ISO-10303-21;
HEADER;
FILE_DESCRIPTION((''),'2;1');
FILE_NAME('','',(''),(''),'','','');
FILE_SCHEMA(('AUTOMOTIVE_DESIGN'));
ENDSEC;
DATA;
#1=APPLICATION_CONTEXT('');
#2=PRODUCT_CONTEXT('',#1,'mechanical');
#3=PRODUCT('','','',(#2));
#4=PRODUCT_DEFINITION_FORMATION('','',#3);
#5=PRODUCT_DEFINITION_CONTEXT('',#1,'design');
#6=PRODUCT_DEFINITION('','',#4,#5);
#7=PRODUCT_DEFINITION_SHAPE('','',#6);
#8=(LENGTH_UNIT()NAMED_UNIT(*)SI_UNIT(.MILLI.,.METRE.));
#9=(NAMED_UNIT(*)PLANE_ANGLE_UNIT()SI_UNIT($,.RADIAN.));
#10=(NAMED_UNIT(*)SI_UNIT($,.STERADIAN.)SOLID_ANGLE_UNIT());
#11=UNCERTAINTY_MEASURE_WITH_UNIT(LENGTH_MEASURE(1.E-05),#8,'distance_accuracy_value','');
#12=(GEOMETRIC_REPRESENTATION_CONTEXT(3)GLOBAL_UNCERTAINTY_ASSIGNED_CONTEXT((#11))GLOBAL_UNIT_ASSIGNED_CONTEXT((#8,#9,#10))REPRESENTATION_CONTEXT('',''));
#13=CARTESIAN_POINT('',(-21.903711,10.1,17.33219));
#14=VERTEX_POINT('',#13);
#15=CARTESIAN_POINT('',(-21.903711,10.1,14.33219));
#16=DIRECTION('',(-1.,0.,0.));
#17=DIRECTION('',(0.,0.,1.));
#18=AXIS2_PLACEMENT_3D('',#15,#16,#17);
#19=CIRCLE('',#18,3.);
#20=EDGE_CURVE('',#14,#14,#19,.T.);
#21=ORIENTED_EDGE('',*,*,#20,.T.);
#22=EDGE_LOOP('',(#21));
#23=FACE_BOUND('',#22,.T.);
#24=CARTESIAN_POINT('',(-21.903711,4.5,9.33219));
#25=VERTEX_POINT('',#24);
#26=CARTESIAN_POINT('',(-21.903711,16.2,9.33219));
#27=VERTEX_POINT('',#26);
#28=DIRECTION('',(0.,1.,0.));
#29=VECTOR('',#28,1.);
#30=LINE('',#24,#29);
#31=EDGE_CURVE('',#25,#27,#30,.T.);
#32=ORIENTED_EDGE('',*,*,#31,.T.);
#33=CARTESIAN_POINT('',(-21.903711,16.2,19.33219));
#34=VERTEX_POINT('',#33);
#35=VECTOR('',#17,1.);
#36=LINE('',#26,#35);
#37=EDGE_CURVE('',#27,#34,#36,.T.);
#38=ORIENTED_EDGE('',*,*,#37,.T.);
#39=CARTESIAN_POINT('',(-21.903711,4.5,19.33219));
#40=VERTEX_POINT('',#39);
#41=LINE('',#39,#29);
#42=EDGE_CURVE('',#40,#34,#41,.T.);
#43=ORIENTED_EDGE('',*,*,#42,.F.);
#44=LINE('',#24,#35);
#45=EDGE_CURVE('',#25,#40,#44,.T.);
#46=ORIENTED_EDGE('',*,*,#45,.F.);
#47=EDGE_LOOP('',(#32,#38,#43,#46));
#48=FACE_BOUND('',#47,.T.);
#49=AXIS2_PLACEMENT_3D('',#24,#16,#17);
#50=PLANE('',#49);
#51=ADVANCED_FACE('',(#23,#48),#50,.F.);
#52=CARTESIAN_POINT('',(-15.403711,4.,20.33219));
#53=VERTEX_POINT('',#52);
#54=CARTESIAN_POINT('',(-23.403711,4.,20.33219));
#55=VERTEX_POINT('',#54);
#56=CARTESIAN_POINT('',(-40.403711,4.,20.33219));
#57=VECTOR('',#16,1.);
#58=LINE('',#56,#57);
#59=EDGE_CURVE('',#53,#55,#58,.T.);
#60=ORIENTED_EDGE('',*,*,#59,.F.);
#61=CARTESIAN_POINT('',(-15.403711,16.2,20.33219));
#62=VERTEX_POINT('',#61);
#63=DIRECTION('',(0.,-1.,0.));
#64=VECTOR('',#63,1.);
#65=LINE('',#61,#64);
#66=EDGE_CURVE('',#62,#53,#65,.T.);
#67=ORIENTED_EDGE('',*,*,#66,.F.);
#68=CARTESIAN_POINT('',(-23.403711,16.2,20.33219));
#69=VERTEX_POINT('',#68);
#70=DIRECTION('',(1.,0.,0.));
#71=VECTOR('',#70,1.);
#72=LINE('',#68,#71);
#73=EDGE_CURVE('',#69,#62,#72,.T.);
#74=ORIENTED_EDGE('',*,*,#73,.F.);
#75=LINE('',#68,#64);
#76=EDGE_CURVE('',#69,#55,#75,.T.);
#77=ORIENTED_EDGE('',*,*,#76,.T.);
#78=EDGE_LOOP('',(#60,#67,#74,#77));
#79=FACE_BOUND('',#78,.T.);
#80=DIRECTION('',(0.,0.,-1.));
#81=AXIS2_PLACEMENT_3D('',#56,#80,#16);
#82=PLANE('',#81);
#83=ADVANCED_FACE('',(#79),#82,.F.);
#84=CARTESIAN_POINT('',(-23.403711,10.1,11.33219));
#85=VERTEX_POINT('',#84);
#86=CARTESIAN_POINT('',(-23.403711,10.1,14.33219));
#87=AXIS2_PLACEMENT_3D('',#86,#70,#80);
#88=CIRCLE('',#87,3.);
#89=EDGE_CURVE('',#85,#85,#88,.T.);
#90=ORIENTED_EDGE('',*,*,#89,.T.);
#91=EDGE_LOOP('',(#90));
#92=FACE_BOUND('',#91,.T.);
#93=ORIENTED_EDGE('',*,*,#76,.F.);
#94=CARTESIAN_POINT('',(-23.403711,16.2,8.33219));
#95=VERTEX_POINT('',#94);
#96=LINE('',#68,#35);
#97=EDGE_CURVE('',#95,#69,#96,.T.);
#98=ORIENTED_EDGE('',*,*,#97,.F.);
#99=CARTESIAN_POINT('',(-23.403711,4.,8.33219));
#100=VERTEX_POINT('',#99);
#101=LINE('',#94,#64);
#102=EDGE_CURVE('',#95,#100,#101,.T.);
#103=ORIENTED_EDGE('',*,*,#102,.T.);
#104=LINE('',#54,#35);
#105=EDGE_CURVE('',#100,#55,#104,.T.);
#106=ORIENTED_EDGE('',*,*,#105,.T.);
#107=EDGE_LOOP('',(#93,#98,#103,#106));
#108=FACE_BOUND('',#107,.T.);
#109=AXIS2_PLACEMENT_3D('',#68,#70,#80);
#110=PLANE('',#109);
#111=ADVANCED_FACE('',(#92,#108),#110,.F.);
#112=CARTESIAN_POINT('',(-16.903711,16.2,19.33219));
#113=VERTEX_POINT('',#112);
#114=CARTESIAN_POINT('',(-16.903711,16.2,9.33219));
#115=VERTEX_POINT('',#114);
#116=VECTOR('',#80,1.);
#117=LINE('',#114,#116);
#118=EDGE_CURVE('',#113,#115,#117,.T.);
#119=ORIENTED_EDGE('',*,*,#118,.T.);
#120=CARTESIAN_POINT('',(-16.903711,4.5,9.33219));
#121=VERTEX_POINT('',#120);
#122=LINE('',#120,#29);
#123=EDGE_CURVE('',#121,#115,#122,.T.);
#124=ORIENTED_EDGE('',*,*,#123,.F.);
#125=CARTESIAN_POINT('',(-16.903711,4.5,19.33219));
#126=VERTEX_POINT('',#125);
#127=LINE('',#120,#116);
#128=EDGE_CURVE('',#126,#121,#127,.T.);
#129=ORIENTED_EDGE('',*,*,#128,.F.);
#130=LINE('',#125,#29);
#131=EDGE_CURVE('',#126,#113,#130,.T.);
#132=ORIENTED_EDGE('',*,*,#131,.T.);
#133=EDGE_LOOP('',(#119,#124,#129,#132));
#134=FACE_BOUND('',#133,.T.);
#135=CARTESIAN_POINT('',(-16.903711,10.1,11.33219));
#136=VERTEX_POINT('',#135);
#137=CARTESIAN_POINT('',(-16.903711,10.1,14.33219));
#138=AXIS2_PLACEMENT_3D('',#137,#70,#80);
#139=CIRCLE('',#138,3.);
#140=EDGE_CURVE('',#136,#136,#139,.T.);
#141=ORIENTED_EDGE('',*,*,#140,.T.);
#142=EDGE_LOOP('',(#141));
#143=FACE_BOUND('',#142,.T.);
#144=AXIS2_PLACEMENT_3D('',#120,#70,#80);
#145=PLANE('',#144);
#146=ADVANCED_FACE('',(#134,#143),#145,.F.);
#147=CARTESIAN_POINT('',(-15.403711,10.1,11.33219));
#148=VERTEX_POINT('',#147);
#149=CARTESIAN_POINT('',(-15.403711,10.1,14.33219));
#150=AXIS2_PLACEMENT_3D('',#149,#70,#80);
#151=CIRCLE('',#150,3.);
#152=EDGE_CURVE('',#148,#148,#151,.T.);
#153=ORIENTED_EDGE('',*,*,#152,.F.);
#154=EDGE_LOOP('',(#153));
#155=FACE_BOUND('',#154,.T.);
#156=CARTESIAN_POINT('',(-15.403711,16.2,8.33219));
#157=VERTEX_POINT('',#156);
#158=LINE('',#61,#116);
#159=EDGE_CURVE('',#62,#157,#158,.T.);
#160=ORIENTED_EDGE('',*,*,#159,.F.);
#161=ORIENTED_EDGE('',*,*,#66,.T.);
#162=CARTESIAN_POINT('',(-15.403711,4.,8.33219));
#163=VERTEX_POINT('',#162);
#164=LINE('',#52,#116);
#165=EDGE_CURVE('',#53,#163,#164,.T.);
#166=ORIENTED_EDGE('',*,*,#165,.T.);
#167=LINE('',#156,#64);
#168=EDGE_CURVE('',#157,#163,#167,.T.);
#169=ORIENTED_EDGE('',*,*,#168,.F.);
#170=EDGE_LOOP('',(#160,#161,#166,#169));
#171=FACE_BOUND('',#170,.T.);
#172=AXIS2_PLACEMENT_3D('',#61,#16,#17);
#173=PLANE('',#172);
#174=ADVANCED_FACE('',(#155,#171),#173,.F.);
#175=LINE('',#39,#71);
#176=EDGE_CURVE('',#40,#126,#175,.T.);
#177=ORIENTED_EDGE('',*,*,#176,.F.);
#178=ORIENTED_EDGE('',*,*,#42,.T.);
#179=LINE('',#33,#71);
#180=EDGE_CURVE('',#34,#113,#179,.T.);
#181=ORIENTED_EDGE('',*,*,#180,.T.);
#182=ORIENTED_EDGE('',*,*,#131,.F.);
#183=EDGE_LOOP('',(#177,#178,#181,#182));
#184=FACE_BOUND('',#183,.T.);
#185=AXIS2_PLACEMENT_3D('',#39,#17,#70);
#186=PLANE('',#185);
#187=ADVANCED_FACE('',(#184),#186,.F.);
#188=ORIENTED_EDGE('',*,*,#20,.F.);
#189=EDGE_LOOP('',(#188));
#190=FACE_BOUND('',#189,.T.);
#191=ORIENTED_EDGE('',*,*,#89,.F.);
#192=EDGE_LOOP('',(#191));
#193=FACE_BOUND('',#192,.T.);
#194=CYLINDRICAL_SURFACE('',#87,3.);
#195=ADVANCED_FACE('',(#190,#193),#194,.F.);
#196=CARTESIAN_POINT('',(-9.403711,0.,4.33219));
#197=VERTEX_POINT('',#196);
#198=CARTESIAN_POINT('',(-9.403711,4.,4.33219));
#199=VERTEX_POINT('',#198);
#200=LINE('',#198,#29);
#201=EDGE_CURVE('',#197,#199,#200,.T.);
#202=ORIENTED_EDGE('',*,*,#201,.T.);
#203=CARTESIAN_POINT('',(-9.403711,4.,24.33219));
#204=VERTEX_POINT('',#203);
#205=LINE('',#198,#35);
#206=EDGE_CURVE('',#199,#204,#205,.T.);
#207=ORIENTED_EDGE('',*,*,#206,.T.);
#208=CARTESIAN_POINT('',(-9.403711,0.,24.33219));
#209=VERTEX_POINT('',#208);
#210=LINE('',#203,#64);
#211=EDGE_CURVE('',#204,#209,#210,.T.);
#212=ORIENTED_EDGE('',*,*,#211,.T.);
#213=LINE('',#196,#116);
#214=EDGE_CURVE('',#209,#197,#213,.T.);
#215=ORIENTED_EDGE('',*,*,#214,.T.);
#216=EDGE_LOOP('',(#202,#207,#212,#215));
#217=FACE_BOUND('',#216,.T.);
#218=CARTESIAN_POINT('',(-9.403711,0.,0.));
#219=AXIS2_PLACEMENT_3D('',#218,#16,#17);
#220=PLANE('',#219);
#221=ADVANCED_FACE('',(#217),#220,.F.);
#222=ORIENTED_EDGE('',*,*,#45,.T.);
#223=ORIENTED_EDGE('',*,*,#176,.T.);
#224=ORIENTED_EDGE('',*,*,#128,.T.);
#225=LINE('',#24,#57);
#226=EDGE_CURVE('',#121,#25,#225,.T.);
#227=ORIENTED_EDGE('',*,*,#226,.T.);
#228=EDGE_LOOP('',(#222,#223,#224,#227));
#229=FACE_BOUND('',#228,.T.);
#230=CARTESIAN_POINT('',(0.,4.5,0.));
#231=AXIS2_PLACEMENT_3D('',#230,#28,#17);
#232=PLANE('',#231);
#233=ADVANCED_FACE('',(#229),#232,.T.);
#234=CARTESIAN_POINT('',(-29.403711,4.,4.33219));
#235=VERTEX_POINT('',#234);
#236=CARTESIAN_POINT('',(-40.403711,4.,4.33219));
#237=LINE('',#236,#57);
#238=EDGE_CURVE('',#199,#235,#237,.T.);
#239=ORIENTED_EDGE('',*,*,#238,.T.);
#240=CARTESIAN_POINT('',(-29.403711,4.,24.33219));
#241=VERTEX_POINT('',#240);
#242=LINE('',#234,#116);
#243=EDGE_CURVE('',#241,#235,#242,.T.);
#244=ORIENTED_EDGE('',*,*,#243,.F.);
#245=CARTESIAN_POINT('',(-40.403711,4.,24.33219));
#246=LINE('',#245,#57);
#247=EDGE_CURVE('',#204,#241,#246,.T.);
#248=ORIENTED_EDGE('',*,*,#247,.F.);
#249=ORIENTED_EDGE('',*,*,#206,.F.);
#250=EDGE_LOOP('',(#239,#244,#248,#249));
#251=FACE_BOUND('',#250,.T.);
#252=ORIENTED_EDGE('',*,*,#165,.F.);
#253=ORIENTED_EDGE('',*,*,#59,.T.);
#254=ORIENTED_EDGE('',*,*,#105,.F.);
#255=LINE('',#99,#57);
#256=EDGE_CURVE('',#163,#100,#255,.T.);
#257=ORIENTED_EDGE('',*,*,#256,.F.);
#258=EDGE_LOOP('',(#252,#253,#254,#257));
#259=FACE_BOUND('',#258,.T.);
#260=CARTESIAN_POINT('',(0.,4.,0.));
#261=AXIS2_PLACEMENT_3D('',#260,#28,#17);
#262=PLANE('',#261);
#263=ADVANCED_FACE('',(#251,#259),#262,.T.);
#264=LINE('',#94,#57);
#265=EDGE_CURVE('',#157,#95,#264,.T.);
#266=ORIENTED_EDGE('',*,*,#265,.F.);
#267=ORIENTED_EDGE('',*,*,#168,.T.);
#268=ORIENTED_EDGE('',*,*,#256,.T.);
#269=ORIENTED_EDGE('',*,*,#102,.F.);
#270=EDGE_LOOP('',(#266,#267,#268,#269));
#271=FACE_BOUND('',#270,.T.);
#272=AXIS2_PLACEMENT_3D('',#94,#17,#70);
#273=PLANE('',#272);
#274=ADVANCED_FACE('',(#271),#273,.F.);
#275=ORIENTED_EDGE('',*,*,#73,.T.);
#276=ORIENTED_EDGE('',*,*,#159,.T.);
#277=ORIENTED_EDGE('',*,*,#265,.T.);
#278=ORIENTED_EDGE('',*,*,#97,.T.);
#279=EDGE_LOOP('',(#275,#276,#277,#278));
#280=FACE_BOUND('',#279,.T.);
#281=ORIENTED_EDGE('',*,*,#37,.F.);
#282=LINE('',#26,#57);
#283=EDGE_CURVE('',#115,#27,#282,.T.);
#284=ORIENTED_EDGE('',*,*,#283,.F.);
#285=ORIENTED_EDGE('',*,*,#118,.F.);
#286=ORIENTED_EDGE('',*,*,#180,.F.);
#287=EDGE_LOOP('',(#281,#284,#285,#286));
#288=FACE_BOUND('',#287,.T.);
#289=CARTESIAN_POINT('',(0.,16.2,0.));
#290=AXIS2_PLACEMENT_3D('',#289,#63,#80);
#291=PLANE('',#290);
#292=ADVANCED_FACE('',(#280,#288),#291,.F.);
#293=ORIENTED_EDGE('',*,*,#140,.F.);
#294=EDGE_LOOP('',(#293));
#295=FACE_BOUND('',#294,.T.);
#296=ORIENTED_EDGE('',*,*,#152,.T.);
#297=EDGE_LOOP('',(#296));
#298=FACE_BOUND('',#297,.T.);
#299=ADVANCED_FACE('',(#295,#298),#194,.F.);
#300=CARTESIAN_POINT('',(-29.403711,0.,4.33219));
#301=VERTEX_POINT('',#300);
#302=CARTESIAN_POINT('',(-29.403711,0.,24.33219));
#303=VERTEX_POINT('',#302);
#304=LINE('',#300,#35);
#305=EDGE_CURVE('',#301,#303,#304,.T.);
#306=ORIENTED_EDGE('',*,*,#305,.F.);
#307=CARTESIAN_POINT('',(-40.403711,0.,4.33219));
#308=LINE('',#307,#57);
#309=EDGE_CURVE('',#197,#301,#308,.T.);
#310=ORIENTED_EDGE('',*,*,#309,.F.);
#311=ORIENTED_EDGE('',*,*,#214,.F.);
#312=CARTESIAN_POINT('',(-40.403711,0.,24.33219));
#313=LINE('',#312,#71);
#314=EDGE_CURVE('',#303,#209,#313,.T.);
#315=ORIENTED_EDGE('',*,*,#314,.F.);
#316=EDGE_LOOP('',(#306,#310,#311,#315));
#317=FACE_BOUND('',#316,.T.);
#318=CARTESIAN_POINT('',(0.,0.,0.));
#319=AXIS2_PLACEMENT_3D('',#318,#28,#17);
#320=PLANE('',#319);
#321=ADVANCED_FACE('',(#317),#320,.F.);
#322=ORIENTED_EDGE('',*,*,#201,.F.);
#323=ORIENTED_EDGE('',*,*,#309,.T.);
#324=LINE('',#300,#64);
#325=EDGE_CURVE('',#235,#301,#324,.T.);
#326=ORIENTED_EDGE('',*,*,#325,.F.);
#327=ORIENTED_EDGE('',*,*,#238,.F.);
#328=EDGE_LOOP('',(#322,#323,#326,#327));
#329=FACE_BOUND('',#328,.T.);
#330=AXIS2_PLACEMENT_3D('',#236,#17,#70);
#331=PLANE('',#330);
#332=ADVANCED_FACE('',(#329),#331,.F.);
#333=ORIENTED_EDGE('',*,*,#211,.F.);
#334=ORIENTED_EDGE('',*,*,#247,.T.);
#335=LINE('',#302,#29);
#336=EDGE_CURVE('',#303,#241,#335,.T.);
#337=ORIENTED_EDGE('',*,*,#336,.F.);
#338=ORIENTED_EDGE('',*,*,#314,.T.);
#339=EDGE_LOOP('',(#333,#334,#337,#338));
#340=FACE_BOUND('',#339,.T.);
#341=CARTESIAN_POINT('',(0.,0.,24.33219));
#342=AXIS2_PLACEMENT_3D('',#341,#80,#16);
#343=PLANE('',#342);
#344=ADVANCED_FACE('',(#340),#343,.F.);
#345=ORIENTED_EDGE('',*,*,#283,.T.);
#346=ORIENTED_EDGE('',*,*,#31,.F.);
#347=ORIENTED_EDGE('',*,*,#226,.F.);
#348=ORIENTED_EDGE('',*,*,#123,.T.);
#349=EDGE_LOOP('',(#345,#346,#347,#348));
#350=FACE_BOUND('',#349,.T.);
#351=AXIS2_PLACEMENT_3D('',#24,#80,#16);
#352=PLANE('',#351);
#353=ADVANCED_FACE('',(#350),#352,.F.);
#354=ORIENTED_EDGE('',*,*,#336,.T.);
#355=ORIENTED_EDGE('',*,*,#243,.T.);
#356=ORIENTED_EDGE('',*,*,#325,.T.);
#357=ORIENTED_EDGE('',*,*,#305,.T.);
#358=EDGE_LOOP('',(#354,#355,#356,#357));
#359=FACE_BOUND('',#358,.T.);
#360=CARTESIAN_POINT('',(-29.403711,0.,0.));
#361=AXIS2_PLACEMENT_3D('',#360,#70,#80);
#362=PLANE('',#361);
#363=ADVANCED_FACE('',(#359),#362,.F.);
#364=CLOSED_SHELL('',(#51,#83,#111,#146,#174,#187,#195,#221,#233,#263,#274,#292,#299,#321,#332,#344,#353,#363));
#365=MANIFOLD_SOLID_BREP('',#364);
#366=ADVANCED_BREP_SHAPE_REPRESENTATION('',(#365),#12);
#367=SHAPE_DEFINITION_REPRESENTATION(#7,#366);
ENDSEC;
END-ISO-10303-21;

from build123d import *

# Parameters (mm, degrees)
SKETCH2_W           = 42
SKETCH2_H           = 16
BOSS_EXTRUDE1_DEPTH = 4
SKETCH9_W           = 8
SKETCH9_H           = 12
BOSS_EXTRUDE3_DEPTH = 12.2
SKETCH10_W          = 5
SKETCH10_H          = 10
CUT_EXTRUDE6_DEPTH  = 11.7
SKETCH12_R          = 3
CUT_EXTRUDE7_DEPTH  = 8
SKETCH17_W          = 42
SKETCH17_H          = 4
BOSS_EXTRUDE4_DEPTH = 4
SKETCH21_W          = 20
SKETCH21_H          = 4
CUT_EXTRUDE8_DEPTH  = 11
SKETCH22_W          = 20
SKETCH22_H          = 4
CUT_EXTRUDE9_DEPTH  = 11


with BuildPart() as part:
    # Sketch2 → Boss-Extrude1 (new body)
    with BuildSketch(Plane(origin=(0, 0, 0), x_dir=(1, 0, 0), z_dir=(0, 1, 0))):
        with Locations((-19.403711124, -12.332190114)):
            Rectangle(SKETCH2_W, SKETCH2_H)
    extrude(amount=BOSS_EXTRUDE1_DEPTH)

    # Sketch9 → Boss-Extrude3 (add)
    with BuildSketch(Plane(origin=(0, 4, 0), x_dir=(1, 0, 0), z_dir=(0, 1, 0))):
        with Locations((-19.403711124, -14.332190114)):
            Rectangle(SKETCH9_W, SKETCH9_H)
    extrude(amount=BOSS_EXTRUDE3_DEPTH)

    # Sketch10 → Cut-Extrude6 (cut)
    with BuildSketch(Plane(origin=(0, 16.2, 0), x_dir=(1, 0, 0), z_dir=(0, 1, 0))):
        with Locations((-19.403711124, -14.332190114)):
            Rectangle(SKETCH10_W, SKETCH10_H)
    extrude(amount=-CUT_EXTRUDE6_DEPTH, mode=Mode.SUBTRACT)

    # Sketch12 → Cut-Extrude7 (cut)
    with BuildSketch(Plane(origin=(-15.403711124, 0, 0), x_dir=(0, 0, -1), z_dir=(1, 0, 0))):
        with Locations((-14.332190114, 10.1)):
            Circle(SKETCH12_R)
    extrude(amount=-CUT_EXTRUDE7_DEPTH, mode=Mode.SUBTRACT)

    # Sketch17 → Boss-Extrude4 (add)
    with BuildSketch(Plane.XY.offset(20.332190114)):
        with Locations((-19.403711124, 2)):
            Rectangle(SKETCH17_W, SKETCH17_H)
    extrude(amount=BOSS_EXTRUDE4_DEPTH)

    # Sketch21 → Cut-Extrude8 (cut)
    with BuildSketch(Plane.ZY.offset(40.403711124)):
        with Locations((14.332190114, 2)):
            Rectangle(SKETCH21_W, SKETCH21_H)
    extrude(amount=-CUT_EXTRUDE8_DEPTH, mode=Mode.SUBTRACT)

    # Sketch22 → Cut-Extrude9 (cut)
    with BuildSketch(Plane(origin=(1.596288876, 0, 0), x_dir=(0, 0, -1), z_dir=(1, 0, 0))):
        with Locations((-14.332190114, 2)):
            Rectangle(SKETCH22_W, SKETCH22_H)
    extrude(amount=-CUT_EXTRUDE9_DEPTH, mode=Mode.SUBTRACT)


solid = part.part
